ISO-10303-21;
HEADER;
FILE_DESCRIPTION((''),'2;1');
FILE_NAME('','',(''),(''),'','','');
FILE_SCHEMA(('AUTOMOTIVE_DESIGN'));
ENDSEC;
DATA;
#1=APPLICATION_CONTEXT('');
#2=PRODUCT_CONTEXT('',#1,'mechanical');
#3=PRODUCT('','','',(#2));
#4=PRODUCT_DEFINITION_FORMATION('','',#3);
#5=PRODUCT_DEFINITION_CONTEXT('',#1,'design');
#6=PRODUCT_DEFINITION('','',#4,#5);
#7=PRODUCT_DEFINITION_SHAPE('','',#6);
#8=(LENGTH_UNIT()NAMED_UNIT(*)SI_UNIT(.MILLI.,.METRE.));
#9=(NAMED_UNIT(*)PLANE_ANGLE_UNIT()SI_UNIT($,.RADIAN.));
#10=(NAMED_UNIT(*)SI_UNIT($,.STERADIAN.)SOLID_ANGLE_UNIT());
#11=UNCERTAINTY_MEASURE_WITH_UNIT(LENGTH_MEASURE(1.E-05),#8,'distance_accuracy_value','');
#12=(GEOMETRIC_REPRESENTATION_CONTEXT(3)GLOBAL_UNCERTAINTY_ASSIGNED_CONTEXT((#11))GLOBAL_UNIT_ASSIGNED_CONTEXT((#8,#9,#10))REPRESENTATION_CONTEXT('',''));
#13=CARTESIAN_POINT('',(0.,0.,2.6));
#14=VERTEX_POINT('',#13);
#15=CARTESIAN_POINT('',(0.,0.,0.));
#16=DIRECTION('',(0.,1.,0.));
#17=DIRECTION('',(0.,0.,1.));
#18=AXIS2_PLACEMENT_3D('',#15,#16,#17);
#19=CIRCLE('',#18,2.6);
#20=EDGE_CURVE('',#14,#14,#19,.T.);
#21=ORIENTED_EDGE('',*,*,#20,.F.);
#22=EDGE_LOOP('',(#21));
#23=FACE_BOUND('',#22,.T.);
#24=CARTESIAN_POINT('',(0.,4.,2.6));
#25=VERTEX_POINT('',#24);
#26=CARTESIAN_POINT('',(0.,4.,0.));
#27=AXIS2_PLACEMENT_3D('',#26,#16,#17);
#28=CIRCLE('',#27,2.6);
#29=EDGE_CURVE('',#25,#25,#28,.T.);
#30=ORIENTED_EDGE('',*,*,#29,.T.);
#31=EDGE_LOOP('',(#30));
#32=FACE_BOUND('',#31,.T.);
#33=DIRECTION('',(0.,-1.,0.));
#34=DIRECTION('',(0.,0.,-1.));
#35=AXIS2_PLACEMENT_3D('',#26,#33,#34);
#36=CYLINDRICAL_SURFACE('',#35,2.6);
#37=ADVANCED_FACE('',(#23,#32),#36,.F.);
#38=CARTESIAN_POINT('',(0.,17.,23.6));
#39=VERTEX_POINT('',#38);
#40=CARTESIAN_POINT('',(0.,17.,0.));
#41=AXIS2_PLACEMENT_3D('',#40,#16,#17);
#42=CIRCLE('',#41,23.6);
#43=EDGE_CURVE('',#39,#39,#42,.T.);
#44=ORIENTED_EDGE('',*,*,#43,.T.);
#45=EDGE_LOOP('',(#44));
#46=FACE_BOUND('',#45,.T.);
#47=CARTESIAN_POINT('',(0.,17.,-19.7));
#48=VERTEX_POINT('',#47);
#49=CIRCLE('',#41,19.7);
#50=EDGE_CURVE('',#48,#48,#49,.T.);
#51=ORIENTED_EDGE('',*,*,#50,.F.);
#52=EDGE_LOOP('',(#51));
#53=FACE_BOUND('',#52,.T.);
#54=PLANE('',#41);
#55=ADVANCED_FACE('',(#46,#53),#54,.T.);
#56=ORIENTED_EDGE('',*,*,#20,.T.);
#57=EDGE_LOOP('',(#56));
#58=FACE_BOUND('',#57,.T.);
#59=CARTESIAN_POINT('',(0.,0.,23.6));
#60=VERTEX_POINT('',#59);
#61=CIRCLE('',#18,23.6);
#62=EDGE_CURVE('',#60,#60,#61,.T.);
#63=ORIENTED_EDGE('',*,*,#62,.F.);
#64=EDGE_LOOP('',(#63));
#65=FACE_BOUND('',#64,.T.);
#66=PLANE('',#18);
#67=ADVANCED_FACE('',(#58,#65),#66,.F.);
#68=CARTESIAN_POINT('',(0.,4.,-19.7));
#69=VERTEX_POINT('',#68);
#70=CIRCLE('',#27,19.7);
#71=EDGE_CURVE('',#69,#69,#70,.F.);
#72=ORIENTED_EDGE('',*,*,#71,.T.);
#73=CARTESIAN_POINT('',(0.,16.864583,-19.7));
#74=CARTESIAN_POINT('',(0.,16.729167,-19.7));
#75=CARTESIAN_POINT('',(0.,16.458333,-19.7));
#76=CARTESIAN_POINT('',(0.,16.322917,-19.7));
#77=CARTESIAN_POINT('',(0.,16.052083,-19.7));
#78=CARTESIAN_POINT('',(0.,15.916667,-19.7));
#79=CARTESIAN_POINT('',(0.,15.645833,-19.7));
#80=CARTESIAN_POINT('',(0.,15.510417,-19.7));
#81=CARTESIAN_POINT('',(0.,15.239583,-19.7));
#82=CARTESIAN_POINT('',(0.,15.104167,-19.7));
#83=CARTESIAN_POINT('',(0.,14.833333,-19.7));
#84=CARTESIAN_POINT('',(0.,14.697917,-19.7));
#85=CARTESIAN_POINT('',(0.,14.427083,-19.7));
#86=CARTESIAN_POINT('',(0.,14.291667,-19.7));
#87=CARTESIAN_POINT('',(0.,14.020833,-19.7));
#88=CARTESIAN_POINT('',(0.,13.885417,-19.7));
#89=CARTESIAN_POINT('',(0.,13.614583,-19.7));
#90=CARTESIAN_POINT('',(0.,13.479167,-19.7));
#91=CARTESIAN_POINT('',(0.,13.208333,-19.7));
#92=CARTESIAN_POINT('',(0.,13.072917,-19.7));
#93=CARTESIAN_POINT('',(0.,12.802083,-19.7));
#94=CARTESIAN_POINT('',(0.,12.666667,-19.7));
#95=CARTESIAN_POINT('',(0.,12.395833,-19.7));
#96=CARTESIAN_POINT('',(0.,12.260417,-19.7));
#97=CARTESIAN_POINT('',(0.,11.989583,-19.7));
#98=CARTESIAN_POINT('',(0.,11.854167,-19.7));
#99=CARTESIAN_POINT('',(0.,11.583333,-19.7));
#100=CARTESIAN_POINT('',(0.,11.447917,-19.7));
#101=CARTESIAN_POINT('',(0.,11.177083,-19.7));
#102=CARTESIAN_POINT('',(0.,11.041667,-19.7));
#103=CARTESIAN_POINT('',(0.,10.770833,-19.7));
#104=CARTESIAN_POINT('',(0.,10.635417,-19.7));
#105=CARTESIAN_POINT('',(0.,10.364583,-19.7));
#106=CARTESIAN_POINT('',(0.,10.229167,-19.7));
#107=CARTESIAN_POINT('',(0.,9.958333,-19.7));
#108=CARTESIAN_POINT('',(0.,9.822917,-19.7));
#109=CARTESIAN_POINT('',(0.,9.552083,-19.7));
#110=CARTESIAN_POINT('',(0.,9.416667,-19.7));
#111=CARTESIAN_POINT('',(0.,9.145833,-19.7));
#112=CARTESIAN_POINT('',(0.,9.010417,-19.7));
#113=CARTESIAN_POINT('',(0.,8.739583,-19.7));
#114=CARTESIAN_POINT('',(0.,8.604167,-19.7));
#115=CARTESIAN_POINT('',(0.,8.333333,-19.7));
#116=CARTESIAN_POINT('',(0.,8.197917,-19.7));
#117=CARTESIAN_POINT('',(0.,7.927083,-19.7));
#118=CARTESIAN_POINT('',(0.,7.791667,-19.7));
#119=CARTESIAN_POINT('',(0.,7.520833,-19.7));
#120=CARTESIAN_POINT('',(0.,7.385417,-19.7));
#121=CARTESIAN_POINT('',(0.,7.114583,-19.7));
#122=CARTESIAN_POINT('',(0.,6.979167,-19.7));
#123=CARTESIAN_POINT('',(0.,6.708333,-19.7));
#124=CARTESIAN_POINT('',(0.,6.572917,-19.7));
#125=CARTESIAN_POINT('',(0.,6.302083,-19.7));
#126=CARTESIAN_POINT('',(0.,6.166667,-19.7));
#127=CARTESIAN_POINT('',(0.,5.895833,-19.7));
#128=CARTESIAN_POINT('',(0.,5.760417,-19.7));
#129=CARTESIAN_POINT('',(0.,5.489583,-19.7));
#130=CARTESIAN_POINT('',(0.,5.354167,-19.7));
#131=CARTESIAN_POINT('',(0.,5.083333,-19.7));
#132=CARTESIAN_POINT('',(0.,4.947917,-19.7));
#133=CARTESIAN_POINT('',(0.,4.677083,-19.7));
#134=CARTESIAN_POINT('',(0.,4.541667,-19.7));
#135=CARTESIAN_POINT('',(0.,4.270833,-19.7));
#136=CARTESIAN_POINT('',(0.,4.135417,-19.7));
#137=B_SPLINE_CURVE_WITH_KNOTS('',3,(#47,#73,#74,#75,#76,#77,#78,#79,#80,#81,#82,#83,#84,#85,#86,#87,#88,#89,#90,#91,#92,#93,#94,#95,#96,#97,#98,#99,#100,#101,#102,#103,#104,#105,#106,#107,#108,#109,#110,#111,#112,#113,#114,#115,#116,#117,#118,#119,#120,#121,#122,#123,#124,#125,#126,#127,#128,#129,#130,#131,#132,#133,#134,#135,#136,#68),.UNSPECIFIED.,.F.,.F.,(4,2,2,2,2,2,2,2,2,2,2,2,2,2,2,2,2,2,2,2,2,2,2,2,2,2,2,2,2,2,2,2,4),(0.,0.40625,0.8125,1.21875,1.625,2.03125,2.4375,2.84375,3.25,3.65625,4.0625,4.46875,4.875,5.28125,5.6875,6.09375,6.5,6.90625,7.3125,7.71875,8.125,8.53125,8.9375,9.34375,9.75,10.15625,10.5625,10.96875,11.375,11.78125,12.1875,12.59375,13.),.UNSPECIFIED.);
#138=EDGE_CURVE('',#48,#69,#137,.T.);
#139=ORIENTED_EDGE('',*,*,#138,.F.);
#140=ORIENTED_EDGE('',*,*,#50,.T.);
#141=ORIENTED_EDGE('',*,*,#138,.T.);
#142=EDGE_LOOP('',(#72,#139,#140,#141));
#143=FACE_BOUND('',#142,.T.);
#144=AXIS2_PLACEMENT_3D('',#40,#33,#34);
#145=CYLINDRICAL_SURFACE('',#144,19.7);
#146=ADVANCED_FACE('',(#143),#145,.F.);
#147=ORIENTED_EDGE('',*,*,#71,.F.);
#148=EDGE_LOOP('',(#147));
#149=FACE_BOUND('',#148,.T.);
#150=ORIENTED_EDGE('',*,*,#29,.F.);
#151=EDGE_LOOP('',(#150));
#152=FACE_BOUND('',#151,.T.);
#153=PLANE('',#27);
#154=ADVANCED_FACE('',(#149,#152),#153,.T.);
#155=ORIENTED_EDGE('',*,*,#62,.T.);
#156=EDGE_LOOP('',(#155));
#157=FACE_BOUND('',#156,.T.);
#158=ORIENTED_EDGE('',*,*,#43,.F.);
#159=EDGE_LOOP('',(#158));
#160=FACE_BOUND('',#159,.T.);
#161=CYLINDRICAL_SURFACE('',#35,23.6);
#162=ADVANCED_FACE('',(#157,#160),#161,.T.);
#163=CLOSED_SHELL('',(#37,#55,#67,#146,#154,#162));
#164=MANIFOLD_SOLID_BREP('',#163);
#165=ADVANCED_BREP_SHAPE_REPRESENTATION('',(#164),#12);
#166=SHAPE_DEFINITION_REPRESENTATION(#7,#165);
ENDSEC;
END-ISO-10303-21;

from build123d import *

# Parameters (mm, degrees)
SKETCH_1_R      = 23.6
SKETCH_1_R_2    = 19.7
SKETCH_1_R_3    = 2.6
EXTRUDE_1_DEPTH = 4
SKETCH_2_R      = 23.6
SKETCH_2_R_2    = 19.7
EXTRUDE_2_DEPTH = 13


with BuildPart() as part:
    # 草图1 → 凸台-拉伸1 (new body)
    # profile 1 of 2: a face of its own
    with BuildSketch(Plane(origin=(0, 0, 0), x_dir=(1, 0, 0), z_dir=(0, 1, 0))):
        with Locations(Location((0, 0, 0), (0, 0, 270))):
            Circle(SKETCH_1_R)
        Circle(SKETCH_1_R_2, mode=Mode.SUBTRACT)
    # profile 2 of 2: a face of its own
    with BuildSketch(Plane(origin=(0, 0, 0), x_dir=(1, 0, 0), z_dir=(0, 1, 0))):
        Circle(SKETCH_1_R_2)
        with Locations(Location((0, 0, 0), (0, 0, 270))):
            Circle(SKETCH_1_R_3, mode=Mode.SUBTRACT)
    extrude(amount=EXTRUDE_1_DEPTH)

    # 草图2 → 凸台-拉伸2 (add)
    with BuildSketch(Plane(origin=(0, 4, 0), x_dir=(1, 0, 0), z_dir=(0, 1, 0))):
        with Locations(Location((0, 0, 0), (0, 0, 270))):
            Circle(SKETCH_2_R)
        with Locations(Location((0, 0, 0), (0, 0, 90))):
            Circle(SKETCH_2_R_2, mode=Mode.SUBTRACT)
    extrude(amount=EXTRUDE_2_DEPTH)


solid = part.part
